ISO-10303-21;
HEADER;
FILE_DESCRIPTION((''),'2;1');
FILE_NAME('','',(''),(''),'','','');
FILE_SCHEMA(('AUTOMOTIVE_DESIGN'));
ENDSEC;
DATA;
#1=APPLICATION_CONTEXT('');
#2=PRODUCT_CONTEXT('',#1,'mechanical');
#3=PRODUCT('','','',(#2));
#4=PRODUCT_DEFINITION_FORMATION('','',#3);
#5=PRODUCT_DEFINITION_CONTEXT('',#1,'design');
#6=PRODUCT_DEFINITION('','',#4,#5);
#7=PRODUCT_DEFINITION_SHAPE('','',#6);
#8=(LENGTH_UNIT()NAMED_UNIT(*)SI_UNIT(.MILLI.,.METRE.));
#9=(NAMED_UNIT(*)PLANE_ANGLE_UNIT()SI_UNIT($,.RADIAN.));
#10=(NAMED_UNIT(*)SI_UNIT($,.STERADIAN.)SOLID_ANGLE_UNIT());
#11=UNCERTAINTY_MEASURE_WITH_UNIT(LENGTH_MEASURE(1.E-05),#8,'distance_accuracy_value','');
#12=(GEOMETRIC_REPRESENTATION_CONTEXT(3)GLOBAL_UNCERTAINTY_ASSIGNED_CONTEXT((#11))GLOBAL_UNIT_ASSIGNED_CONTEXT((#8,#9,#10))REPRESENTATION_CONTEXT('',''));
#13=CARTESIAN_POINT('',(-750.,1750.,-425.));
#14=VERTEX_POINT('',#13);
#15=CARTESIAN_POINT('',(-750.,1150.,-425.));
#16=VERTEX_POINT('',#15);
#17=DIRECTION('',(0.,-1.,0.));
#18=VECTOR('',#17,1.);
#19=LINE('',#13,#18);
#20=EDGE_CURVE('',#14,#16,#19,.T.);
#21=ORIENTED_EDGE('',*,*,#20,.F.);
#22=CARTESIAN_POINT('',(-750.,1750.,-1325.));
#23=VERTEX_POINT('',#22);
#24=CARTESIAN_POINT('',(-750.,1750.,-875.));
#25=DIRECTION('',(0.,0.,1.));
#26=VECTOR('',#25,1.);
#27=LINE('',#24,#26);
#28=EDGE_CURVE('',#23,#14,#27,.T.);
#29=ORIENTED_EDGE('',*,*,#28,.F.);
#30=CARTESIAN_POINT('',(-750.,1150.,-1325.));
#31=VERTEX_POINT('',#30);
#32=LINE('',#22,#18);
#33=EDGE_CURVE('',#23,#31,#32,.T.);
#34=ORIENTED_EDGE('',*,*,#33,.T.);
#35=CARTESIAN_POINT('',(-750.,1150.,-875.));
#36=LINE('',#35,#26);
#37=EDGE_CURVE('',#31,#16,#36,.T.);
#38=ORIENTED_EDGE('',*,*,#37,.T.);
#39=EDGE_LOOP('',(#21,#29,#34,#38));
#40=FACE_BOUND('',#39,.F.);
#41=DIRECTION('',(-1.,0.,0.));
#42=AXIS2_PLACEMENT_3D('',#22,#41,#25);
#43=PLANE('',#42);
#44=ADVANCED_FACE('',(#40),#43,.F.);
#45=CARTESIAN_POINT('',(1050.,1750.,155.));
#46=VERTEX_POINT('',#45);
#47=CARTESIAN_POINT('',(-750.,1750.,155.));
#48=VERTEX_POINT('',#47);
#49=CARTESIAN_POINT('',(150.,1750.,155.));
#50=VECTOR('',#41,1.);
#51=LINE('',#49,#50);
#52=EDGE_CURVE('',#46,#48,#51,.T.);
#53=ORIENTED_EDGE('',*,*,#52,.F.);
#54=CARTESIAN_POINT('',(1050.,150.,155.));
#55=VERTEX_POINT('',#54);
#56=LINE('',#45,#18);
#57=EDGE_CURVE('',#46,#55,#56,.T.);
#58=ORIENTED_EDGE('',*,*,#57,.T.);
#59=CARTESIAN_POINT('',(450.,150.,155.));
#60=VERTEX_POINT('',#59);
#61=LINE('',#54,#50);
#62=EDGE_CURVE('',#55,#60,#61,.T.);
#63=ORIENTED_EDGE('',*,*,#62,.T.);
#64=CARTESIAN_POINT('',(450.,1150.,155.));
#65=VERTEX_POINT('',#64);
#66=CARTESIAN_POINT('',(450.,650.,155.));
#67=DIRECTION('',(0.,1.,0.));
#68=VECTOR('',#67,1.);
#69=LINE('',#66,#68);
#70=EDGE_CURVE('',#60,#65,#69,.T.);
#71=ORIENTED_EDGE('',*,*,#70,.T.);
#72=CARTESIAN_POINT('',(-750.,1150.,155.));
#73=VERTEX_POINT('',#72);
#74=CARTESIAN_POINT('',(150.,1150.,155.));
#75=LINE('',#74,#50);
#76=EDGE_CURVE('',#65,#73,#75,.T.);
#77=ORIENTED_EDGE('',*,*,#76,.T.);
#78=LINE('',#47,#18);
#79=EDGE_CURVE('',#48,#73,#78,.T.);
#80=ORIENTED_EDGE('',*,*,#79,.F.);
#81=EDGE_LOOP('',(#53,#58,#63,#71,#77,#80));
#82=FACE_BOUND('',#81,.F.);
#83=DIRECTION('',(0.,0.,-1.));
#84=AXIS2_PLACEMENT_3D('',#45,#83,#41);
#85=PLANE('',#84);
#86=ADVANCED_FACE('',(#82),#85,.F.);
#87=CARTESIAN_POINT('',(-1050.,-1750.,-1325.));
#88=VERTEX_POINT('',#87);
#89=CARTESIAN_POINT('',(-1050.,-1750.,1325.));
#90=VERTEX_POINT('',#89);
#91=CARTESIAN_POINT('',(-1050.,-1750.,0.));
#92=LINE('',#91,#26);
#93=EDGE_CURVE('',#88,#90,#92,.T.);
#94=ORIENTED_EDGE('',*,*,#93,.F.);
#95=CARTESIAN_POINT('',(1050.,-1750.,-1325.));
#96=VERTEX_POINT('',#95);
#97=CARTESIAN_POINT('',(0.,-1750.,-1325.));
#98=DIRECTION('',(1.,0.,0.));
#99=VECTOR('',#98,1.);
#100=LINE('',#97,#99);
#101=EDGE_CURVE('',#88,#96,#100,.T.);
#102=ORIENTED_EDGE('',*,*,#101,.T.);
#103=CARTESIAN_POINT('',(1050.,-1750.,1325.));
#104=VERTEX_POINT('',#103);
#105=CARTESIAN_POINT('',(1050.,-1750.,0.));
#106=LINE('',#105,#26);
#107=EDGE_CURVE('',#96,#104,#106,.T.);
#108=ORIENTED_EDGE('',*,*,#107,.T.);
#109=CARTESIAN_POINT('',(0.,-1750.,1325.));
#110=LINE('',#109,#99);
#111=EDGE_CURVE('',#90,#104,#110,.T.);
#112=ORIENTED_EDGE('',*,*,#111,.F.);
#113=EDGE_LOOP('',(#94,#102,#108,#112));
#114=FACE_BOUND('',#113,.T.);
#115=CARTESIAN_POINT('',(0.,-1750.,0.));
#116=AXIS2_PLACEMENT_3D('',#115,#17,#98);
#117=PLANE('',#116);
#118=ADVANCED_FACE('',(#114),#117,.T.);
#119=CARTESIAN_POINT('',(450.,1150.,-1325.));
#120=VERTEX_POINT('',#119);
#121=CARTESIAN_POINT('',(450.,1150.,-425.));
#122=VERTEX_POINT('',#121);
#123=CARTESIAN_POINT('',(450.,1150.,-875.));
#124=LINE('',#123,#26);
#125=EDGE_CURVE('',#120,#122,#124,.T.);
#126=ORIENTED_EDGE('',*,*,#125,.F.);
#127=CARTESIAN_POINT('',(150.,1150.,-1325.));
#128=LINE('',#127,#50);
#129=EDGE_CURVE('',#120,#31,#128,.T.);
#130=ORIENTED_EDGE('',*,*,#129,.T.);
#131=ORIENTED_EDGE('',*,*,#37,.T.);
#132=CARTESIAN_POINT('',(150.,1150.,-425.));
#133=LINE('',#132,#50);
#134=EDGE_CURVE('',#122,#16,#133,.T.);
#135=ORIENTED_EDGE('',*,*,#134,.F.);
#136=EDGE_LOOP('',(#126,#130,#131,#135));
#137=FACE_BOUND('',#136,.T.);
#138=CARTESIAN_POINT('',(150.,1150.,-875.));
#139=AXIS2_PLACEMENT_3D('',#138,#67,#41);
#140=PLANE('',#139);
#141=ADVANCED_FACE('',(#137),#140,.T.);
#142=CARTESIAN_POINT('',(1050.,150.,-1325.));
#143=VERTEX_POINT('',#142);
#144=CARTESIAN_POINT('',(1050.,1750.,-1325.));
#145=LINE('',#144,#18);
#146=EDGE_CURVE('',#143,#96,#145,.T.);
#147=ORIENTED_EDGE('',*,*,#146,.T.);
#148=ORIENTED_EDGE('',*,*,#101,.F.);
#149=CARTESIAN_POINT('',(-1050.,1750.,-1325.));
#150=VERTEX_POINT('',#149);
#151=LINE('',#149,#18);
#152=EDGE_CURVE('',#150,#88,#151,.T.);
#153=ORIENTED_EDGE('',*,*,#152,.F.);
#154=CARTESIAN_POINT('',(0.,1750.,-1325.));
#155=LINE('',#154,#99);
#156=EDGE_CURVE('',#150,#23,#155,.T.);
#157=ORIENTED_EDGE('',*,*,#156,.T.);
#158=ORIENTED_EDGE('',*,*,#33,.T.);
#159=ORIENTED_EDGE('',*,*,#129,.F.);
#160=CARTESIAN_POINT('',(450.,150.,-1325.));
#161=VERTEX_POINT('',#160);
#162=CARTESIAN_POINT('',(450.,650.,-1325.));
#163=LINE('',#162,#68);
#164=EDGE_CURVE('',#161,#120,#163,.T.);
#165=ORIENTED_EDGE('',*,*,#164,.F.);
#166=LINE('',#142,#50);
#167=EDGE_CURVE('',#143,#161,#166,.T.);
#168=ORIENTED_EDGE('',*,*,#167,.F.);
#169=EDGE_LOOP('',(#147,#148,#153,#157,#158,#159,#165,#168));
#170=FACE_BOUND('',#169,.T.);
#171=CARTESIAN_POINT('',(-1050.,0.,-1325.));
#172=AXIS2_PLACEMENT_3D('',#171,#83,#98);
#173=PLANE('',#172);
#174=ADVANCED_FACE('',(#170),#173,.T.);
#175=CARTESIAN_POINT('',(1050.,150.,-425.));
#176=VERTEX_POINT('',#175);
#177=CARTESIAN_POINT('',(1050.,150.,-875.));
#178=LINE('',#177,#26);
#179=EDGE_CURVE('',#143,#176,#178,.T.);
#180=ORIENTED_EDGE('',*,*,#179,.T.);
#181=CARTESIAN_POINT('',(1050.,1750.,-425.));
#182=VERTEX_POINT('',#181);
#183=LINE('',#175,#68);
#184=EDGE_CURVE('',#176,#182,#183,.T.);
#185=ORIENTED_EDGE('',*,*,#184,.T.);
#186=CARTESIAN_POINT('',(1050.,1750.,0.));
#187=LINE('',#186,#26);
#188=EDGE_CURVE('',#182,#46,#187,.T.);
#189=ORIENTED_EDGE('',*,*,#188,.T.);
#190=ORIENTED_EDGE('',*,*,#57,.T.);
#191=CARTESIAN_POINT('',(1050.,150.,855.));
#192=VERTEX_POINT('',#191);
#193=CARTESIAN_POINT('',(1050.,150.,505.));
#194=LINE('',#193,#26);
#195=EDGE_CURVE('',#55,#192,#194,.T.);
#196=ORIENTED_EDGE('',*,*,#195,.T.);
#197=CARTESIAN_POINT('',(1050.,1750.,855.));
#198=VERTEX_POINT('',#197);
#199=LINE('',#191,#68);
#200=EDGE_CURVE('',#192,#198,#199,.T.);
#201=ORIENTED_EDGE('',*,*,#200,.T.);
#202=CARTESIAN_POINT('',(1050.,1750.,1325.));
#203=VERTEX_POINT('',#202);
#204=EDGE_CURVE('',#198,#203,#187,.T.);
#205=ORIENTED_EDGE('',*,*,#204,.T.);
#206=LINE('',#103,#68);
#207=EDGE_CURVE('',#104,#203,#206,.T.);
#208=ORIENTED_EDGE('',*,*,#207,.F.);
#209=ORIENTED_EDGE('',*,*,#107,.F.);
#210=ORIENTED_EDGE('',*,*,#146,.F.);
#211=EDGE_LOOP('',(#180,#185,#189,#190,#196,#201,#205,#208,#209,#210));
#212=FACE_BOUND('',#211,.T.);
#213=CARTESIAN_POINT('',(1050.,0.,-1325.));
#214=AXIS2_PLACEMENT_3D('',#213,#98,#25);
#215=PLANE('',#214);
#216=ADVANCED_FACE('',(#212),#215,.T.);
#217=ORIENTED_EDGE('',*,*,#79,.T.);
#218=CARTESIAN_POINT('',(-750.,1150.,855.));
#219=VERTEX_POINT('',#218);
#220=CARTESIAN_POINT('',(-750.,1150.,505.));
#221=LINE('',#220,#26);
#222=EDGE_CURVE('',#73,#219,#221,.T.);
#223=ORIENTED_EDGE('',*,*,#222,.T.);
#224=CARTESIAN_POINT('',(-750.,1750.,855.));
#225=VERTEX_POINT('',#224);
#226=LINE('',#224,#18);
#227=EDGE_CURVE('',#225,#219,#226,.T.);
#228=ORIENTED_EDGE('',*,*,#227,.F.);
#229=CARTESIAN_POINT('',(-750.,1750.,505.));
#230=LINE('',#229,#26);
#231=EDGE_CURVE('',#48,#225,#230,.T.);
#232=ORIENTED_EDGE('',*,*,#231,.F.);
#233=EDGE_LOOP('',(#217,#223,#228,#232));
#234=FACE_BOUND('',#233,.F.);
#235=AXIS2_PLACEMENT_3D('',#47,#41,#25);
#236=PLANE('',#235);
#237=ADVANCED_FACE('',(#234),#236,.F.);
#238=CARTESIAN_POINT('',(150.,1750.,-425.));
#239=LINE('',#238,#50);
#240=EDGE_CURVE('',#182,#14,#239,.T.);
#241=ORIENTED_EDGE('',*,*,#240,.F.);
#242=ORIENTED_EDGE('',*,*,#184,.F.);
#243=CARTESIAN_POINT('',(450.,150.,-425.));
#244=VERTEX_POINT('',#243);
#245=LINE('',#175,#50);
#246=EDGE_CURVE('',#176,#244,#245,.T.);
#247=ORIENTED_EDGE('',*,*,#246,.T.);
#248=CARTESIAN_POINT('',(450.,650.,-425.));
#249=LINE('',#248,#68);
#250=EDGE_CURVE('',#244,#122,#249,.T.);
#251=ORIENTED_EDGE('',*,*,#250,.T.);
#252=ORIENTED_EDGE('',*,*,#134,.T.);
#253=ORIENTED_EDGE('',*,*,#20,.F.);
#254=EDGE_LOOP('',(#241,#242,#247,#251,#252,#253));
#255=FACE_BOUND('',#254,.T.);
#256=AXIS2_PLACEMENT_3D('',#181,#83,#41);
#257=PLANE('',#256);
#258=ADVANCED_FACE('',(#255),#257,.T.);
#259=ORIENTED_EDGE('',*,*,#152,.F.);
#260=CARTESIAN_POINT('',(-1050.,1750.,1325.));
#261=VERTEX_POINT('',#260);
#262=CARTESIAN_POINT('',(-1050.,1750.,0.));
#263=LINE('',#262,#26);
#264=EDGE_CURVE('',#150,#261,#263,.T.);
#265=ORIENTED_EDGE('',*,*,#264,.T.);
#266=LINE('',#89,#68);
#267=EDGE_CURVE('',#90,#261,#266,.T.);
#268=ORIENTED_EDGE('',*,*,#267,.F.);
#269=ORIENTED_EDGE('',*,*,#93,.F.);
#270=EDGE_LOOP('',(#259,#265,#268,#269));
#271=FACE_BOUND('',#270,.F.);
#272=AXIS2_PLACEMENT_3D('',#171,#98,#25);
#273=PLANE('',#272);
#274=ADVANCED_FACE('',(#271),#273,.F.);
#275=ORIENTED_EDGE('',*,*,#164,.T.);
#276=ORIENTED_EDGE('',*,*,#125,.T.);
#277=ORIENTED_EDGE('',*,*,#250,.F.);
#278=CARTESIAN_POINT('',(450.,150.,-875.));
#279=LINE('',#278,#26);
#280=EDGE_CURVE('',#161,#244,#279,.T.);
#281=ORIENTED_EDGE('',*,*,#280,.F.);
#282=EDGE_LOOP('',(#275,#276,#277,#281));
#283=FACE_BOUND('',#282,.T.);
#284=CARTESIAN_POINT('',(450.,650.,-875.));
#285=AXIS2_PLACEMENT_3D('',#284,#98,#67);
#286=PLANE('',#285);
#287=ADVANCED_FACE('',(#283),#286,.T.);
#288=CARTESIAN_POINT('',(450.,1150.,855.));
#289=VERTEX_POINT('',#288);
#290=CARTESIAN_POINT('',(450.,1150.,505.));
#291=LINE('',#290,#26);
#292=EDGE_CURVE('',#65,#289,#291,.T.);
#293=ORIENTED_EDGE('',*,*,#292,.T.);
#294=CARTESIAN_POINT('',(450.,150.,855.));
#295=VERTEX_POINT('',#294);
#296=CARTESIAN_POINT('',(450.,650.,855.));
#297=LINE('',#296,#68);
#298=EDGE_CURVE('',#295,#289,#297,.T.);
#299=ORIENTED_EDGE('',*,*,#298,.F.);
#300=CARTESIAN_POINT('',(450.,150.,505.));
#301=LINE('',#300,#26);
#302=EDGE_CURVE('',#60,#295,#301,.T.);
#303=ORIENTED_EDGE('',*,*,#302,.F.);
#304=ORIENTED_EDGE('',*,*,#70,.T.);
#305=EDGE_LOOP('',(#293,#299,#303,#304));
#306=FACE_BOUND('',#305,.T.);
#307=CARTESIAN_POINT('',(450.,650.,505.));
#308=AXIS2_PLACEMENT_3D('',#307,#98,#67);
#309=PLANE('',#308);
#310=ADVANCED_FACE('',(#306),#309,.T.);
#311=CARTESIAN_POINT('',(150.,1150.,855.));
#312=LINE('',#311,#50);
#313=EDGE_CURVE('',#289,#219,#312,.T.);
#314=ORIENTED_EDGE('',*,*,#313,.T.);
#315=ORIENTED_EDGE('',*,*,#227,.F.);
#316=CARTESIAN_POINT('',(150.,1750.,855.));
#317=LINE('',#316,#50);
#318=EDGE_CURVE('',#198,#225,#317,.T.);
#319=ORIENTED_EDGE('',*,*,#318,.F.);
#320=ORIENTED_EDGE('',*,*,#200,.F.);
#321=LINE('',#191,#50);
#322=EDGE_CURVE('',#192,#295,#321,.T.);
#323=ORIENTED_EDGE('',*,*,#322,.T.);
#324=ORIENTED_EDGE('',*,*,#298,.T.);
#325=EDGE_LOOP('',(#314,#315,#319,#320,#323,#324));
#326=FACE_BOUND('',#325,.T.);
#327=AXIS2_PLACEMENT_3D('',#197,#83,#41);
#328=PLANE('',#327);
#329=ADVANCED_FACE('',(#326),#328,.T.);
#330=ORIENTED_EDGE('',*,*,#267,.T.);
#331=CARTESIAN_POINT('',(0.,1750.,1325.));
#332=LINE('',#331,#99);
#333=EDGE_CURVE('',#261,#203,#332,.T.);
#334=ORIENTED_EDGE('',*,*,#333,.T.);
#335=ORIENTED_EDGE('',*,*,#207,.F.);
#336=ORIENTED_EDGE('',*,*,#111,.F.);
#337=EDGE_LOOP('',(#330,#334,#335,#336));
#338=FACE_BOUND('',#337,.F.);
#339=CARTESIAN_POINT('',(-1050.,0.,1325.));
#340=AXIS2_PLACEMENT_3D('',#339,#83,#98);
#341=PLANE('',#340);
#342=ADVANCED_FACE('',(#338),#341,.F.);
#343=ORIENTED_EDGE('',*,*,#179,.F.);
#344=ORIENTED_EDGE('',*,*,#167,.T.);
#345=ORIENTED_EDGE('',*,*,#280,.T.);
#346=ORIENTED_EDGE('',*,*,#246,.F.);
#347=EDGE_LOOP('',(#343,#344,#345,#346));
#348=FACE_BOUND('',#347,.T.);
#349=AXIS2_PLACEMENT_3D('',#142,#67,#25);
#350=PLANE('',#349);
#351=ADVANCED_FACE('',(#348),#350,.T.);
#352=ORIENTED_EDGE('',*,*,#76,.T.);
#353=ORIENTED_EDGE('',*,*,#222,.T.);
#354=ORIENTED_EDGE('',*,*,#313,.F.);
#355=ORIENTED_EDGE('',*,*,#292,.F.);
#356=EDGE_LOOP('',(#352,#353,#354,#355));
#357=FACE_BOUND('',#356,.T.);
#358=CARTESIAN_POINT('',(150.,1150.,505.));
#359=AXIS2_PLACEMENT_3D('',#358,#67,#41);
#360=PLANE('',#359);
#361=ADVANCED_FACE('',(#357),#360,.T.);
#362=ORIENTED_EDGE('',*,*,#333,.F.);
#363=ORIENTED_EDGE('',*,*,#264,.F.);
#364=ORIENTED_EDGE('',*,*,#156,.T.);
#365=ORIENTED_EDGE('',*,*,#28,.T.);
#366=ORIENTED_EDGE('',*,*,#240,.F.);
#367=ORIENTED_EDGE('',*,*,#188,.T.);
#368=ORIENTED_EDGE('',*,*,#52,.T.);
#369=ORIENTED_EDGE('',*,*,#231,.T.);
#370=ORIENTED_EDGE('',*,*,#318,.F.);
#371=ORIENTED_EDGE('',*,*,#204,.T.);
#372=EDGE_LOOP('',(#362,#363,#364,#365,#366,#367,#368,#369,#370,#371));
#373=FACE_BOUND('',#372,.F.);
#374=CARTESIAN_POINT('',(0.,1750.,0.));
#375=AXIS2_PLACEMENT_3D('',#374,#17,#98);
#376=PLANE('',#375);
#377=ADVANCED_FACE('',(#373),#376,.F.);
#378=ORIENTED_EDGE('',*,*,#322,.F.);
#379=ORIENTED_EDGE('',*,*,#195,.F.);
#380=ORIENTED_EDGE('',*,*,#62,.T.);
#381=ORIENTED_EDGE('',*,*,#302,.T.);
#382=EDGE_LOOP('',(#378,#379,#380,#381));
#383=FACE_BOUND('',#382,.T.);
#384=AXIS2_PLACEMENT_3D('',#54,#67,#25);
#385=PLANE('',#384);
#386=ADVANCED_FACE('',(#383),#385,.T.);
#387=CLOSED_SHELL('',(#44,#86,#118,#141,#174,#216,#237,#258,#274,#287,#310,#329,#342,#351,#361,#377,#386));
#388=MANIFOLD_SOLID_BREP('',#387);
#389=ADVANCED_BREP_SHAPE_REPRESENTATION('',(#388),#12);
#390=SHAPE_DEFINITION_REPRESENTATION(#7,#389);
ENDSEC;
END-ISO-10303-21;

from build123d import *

# Parameters (mm, degrees)
F0_W     = 2100
F0_H     = 2650
F1_DEPTH = 1750
F5_W     = 1800
F5_H     = 900
F5_H_2   = 700
F6_DEPTH = 600
F7_W     = 1000
F7_H     = 900
F7_H_2   = 700
F8_DEPTH = 600


with BuildPart() as f1:
    # F0 (on Front) → F1 (new body, symmetric)
    with BuildSketch(Plane.XZ):
        Rectangle(F0_W, F0_H)
    extrude(amount=F1_DEPTH, both=True)

    # F5 (on face) → F6 (cut)
    with BuildSketch(Plane(origin=(0, 1750, 0), x_dir=(-1, 0, 0), z_dir=(0, 1, 0))):
        with Locations((-150, -875)):
            Rectangle(F5_W, F5_H)
        with Locations((-150, 505)):
            Rectangle(F5_W, F5_H_2)
    extrude(amount=-F6_DEPTH, mode=Mode.SUBTRACT)

    # F7 (on face) → F8 (cut)
    with BuildSketch(Plane.YZ.offset(1050)):
        with Locations((650, -875)):
            Rectangle(F7_W, F7_H)
        with Locations((650, 505)):
            Rectangle(F7_W, F7_H_2)
    extrude(amount=-F8_DEPTH, mode=Mode.SUBTRACT)


solid = f1.part
